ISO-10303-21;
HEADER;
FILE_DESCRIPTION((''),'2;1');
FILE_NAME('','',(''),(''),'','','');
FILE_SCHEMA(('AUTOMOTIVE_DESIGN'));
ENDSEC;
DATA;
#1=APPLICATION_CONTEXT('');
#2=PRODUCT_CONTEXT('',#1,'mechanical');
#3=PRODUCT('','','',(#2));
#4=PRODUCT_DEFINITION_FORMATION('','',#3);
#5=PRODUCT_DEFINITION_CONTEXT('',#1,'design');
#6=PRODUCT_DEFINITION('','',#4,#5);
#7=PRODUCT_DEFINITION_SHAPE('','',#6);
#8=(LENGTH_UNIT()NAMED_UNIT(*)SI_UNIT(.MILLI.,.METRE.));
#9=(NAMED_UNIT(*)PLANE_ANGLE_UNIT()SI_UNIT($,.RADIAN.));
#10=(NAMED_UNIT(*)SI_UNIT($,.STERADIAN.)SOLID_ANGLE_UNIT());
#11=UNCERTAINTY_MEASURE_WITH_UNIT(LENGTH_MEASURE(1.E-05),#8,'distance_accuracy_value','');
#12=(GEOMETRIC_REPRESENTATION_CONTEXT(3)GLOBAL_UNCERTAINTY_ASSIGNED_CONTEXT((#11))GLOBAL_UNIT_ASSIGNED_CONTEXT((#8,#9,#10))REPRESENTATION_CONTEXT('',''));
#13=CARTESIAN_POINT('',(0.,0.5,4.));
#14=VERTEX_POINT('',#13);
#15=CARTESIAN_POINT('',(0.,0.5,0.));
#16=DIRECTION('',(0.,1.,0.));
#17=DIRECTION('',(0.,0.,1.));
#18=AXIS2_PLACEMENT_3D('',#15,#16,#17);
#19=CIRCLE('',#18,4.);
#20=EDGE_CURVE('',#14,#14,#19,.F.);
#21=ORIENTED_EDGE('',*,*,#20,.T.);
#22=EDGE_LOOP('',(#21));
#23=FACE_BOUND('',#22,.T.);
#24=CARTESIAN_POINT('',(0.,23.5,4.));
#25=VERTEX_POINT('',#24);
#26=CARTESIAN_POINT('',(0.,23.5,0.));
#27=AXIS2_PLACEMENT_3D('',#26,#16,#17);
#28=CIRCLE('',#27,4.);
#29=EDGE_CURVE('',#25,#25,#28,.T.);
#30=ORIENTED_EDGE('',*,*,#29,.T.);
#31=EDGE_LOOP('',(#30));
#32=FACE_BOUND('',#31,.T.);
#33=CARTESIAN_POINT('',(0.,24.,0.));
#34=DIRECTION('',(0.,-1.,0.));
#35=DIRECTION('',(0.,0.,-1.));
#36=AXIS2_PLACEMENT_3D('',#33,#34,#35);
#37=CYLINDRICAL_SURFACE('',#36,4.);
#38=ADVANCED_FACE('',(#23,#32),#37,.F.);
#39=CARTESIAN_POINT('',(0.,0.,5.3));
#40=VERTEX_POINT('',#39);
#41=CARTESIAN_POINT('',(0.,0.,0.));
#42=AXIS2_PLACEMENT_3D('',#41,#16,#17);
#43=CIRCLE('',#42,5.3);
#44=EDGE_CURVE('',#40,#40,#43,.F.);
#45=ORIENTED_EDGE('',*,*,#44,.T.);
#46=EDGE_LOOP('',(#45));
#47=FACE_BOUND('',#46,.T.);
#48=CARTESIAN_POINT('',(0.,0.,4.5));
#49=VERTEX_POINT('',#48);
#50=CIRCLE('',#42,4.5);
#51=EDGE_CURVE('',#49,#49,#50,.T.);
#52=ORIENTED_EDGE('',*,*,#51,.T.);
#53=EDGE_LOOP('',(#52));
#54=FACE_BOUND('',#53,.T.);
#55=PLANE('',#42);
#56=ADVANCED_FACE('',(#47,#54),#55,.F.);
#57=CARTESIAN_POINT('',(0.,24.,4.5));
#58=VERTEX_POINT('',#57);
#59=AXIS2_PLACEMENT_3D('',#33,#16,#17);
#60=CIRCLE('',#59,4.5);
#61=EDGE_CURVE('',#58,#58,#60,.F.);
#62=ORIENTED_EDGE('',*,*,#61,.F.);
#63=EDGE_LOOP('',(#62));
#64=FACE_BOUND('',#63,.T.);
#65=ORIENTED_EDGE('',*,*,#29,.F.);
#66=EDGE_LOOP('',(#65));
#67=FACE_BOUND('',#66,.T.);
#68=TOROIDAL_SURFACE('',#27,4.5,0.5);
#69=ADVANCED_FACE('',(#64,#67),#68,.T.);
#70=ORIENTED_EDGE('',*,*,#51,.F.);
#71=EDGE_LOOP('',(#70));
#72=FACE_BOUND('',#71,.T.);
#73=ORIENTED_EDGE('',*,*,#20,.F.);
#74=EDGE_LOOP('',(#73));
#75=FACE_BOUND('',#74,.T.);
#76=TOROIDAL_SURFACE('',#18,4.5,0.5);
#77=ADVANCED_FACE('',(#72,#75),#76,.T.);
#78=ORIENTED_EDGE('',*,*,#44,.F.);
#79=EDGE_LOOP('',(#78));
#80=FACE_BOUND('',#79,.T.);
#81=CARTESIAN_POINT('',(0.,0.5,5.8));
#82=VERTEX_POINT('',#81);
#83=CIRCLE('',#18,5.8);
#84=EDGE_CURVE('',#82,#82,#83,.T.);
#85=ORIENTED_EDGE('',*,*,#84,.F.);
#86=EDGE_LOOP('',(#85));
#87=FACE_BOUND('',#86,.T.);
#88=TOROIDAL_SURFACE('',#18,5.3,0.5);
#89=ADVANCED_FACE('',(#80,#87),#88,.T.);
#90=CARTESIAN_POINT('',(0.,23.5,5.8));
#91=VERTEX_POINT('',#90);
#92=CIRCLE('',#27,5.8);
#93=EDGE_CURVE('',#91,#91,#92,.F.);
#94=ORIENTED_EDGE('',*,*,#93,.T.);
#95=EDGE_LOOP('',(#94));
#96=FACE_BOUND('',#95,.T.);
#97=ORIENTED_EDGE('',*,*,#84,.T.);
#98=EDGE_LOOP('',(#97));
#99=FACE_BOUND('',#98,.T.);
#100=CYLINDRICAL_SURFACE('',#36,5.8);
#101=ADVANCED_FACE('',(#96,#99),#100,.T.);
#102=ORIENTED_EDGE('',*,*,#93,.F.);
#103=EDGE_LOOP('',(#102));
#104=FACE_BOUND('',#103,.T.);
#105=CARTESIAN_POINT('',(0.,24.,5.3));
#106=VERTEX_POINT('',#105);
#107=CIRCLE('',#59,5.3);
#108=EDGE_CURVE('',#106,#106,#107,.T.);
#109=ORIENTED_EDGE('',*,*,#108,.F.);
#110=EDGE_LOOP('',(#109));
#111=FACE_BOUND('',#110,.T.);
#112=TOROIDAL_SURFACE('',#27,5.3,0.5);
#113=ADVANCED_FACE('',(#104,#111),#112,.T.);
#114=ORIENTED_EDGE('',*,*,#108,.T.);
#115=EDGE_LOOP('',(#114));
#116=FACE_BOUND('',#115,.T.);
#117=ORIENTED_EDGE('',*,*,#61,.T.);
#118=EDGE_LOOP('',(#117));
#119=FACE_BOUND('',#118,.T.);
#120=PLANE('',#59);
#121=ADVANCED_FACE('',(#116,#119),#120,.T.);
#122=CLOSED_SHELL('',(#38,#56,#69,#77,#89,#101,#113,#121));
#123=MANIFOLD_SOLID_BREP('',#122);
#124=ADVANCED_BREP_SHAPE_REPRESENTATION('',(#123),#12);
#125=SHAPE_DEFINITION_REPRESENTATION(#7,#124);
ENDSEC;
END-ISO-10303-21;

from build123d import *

# Parameters (mm, degrees)
SKETCH1_R           = 5.8
SKETCH1_R_2         = 4
BOSS_EXTRUDE1_DEPTH = 24
FILLET1_R           = 0.5
FILLET2_R           = 0.5


with BuildPart() as part:
    # Sketch1 → Boss-Extrude1 (new body)
    with BuildSketch(Plane(origin=(0, 0, 0), x_dir=(1, 0, 0), z_dir=(0, 1, 0))):
        with Locations(Location((0, 0, 0), (0, 0, 270))):
            Circle(SKETCH1_R)
        with Locations(Location((0, 0, 0), (0, 0, 270))):
            Circle(SKETCH1_R_2, mode=Mode.SUBTRACT)
    extrude(amount=BOSS_EXTRUDE1_DEPTH)

    # Fillet1
    fillet1_edges = [part.edges().sort_by_distance(p)[0] for p in [
        (0, 0, -5.8),
        (0, 24, -5.8),
    ]]
    fillet(fillet1_edges, radius=FILLET1_R)

    # Fillet2
    fillet2_edges = [part.edges().sort_by_distance(p)[0] for p in [
        (0, 0, -4),
        (0, 24, -4),
    ]]
    fillet(fillet2_edges, radius=FILLET2_R)


solid = part.part
